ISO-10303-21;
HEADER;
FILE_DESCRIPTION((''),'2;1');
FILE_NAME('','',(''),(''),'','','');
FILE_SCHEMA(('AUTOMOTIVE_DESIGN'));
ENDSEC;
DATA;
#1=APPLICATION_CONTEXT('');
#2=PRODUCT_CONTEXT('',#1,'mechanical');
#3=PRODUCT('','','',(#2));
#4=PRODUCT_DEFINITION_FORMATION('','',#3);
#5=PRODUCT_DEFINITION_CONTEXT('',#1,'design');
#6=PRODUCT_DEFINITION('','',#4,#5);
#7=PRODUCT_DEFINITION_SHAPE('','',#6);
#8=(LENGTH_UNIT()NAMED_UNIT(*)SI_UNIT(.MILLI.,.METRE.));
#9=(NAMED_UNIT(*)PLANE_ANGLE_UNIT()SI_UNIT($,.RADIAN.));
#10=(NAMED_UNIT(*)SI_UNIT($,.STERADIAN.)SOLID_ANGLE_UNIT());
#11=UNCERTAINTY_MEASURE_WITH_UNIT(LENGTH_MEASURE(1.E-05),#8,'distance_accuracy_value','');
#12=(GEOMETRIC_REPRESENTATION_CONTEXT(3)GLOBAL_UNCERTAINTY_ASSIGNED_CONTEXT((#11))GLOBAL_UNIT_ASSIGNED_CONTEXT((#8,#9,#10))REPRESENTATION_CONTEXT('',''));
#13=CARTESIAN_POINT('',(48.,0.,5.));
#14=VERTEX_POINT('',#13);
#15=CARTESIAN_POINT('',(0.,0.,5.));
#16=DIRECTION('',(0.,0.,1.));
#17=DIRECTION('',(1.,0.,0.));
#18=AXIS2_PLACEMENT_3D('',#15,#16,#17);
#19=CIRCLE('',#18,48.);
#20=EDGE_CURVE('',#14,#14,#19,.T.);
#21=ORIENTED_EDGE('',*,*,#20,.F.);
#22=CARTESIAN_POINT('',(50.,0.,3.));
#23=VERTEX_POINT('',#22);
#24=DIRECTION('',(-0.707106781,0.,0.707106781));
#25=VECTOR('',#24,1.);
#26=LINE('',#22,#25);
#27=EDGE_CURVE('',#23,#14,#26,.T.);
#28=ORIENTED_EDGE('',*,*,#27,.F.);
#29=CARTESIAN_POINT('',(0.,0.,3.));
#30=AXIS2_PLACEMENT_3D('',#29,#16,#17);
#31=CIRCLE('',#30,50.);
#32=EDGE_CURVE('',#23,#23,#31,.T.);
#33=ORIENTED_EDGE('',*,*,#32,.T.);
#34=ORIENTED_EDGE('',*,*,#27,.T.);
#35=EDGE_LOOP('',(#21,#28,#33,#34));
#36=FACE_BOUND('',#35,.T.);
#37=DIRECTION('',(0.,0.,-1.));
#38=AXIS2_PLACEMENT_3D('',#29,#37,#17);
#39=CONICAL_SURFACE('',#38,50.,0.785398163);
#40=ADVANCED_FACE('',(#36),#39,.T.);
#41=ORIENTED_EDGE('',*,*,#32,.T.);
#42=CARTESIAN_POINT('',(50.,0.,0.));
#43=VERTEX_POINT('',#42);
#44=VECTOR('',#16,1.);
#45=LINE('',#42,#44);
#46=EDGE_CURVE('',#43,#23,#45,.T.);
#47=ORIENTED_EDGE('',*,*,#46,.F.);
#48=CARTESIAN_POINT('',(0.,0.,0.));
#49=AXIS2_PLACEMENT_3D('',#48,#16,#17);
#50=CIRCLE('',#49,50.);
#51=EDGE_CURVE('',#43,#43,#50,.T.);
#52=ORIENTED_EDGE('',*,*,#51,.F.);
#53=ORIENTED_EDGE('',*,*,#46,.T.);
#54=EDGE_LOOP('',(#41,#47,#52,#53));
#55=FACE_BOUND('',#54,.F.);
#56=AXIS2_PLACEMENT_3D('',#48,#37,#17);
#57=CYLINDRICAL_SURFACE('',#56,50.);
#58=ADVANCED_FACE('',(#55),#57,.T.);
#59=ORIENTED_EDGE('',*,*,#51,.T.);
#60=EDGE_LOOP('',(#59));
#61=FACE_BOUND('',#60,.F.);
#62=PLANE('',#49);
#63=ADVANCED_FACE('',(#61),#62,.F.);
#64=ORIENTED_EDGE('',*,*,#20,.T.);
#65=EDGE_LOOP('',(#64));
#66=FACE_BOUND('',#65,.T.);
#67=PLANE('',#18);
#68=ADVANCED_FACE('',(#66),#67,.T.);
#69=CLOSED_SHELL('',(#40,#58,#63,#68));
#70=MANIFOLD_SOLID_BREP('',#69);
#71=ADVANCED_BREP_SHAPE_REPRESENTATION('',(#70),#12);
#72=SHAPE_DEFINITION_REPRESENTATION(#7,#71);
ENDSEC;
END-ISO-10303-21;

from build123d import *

# Parameters (mm, degrees)
F0_R     = 50
F1_DEPTH = 5
F2_SIZE2 = 2
F2_SIZE  = 2


with BuildPart() as f1:
    # F0 (on Top) → F1 (new body)
    with BuildSketch(Plane.XY):
        Circle(F0_R)
    extrude(amount=F1_DEPTH)

    # F2
    f2_edges = [f1.edges().sort_by_distance(p)[0] for p in [
        (-50, 0, 5),
    ]]
    chamfer(f2_edges, length=F2_SIZE, length2=F2_SIZE2)


solid = f1.part
